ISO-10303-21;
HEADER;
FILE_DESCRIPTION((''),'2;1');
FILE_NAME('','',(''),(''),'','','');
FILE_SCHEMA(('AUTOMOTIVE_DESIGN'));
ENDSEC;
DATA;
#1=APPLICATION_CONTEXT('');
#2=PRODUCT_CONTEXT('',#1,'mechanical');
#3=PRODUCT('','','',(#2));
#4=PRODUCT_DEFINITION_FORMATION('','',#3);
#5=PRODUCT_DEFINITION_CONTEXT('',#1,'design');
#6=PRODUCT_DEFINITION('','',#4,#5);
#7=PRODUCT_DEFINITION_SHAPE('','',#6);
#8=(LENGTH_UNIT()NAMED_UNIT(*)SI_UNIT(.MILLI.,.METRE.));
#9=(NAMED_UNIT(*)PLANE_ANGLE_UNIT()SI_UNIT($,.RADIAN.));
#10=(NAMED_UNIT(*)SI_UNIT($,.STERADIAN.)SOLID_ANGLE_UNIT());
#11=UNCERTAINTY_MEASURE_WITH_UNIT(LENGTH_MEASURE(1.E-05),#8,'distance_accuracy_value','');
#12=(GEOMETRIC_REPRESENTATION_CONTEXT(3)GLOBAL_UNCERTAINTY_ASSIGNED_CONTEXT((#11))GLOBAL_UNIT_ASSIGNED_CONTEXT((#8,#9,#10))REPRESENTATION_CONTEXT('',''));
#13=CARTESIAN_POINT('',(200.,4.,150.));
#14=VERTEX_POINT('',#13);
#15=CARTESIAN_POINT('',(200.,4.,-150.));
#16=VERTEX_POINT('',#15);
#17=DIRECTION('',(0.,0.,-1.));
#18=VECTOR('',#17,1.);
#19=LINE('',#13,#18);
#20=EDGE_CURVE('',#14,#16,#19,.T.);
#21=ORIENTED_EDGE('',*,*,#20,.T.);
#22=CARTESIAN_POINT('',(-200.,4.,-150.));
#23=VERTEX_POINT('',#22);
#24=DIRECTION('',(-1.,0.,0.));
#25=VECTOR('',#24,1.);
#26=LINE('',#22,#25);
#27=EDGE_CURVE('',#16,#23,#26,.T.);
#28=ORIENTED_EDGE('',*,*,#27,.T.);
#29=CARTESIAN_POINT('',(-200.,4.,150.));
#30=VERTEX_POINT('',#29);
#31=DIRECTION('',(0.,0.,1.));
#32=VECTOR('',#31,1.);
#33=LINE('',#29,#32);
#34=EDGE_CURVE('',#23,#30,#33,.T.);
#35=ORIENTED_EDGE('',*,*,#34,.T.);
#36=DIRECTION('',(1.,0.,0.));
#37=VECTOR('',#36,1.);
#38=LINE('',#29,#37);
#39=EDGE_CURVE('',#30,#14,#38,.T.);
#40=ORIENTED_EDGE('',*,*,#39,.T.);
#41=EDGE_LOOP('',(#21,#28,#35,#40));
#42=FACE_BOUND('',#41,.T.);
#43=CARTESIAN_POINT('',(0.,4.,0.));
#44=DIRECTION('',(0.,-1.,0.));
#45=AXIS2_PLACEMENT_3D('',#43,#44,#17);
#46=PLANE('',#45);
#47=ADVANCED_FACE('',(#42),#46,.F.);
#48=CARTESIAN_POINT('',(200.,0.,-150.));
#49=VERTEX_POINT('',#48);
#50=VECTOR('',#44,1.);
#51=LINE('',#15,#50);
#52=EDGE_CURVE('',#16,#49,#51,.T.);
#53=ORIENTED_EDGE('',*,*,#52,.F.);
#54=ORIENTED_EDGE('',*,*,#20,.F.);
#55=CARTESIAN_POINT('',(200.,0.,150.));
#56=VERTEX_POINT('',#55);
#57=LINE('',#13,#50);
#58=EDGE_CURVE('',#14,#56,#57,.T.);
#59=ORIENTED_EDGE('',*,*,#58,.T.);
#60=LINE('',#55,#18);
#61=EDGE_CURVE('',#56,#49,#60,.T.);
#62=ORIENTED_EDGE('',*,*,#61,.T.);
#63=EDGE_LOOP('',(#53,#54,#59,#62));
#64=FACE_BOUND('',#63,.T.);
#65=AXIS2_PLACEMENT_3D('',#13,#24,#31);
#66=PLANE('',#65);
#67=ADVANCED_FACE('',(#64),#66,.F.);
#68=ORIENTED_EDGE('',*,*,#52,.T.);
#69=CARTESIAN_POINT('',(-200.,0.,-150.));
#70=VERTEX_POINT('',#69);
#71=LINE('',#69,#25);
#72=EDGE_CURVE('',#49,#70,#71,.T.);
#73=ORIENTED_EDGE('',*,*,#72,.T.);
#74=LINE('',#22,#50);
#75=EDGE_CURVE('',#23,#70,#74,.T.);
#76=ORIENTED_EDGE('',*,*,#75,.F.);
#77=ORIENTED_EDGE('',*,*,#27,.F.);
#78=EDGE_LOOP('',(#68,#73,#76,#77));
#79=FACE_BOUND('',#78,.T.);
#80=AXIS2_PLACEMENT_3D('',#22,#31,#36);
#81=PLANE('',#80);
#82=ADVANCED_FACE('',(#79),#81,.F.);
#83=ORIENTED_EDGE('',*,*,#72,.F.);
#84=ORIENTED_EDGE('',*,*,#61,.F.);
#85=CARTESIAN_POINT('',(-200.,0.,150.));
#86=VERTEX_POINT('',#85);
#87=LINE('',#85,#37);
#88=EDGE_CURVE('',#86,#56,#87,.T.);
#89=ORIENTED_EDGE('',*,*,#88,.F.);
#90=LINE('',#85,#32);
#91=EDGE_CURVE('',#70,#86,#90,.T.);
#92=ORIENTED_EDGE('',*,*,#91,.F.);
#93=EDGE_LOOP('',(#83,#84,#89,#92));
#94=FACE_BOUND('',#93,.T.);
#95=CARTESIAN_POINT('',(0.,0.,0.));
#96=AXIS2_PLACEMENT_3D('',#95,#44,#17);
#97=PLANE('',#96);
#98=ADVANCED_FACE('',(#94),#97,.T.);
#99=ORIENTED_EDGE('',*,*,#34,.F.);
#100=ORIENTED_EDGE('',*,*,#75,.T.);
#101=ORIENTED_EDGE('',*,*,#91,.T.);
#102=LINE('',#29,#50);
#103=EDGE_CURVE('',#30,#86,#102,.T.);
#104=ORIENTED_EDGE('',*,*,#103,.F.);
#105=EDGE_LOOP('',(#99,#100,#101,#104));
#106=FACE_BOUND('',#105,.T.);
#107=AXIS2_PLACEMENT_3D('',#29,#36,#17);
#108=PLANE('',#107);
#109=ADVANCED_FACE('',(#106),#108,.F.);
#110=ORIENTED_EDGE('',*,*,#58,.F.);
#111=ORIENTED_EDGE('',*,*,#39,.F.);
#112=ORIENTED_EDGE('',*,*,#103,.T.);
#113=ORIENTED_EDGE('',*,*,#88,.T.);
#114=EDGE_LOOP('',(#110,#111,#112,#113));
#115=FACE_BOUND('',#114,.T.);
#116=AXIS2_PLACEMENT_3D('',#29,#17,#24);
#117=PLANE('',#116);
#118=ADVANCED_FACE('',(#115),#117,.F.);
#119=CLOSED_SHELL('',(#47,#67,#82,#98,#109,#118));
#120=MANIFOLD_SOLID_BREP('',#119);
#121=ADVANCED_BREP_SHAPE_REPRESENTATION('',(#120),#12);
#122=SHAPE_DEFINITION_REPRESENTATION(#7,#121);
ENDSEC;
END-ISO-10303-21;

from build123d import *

# Parameters (mm, degrees)
SKETCH_1_W      = 400
SKETCH_1_H      = 300
EXTRUDE_1_DEPTH = 4


with BuildPart() as part:
    # Эскиз1 → Бобышка-Вытянуть1 (new body)
    with BuildSketch(Plane(origin=(0, 0, 0), x_dir=(1, 0, 0), z_dir=(0, 1, 0))):
        Rectangle(SKETCH_1_W, SKETCH_1_H)
    extrude(amount=EXTRUDE_1_DEPTH)


solid = part.part
